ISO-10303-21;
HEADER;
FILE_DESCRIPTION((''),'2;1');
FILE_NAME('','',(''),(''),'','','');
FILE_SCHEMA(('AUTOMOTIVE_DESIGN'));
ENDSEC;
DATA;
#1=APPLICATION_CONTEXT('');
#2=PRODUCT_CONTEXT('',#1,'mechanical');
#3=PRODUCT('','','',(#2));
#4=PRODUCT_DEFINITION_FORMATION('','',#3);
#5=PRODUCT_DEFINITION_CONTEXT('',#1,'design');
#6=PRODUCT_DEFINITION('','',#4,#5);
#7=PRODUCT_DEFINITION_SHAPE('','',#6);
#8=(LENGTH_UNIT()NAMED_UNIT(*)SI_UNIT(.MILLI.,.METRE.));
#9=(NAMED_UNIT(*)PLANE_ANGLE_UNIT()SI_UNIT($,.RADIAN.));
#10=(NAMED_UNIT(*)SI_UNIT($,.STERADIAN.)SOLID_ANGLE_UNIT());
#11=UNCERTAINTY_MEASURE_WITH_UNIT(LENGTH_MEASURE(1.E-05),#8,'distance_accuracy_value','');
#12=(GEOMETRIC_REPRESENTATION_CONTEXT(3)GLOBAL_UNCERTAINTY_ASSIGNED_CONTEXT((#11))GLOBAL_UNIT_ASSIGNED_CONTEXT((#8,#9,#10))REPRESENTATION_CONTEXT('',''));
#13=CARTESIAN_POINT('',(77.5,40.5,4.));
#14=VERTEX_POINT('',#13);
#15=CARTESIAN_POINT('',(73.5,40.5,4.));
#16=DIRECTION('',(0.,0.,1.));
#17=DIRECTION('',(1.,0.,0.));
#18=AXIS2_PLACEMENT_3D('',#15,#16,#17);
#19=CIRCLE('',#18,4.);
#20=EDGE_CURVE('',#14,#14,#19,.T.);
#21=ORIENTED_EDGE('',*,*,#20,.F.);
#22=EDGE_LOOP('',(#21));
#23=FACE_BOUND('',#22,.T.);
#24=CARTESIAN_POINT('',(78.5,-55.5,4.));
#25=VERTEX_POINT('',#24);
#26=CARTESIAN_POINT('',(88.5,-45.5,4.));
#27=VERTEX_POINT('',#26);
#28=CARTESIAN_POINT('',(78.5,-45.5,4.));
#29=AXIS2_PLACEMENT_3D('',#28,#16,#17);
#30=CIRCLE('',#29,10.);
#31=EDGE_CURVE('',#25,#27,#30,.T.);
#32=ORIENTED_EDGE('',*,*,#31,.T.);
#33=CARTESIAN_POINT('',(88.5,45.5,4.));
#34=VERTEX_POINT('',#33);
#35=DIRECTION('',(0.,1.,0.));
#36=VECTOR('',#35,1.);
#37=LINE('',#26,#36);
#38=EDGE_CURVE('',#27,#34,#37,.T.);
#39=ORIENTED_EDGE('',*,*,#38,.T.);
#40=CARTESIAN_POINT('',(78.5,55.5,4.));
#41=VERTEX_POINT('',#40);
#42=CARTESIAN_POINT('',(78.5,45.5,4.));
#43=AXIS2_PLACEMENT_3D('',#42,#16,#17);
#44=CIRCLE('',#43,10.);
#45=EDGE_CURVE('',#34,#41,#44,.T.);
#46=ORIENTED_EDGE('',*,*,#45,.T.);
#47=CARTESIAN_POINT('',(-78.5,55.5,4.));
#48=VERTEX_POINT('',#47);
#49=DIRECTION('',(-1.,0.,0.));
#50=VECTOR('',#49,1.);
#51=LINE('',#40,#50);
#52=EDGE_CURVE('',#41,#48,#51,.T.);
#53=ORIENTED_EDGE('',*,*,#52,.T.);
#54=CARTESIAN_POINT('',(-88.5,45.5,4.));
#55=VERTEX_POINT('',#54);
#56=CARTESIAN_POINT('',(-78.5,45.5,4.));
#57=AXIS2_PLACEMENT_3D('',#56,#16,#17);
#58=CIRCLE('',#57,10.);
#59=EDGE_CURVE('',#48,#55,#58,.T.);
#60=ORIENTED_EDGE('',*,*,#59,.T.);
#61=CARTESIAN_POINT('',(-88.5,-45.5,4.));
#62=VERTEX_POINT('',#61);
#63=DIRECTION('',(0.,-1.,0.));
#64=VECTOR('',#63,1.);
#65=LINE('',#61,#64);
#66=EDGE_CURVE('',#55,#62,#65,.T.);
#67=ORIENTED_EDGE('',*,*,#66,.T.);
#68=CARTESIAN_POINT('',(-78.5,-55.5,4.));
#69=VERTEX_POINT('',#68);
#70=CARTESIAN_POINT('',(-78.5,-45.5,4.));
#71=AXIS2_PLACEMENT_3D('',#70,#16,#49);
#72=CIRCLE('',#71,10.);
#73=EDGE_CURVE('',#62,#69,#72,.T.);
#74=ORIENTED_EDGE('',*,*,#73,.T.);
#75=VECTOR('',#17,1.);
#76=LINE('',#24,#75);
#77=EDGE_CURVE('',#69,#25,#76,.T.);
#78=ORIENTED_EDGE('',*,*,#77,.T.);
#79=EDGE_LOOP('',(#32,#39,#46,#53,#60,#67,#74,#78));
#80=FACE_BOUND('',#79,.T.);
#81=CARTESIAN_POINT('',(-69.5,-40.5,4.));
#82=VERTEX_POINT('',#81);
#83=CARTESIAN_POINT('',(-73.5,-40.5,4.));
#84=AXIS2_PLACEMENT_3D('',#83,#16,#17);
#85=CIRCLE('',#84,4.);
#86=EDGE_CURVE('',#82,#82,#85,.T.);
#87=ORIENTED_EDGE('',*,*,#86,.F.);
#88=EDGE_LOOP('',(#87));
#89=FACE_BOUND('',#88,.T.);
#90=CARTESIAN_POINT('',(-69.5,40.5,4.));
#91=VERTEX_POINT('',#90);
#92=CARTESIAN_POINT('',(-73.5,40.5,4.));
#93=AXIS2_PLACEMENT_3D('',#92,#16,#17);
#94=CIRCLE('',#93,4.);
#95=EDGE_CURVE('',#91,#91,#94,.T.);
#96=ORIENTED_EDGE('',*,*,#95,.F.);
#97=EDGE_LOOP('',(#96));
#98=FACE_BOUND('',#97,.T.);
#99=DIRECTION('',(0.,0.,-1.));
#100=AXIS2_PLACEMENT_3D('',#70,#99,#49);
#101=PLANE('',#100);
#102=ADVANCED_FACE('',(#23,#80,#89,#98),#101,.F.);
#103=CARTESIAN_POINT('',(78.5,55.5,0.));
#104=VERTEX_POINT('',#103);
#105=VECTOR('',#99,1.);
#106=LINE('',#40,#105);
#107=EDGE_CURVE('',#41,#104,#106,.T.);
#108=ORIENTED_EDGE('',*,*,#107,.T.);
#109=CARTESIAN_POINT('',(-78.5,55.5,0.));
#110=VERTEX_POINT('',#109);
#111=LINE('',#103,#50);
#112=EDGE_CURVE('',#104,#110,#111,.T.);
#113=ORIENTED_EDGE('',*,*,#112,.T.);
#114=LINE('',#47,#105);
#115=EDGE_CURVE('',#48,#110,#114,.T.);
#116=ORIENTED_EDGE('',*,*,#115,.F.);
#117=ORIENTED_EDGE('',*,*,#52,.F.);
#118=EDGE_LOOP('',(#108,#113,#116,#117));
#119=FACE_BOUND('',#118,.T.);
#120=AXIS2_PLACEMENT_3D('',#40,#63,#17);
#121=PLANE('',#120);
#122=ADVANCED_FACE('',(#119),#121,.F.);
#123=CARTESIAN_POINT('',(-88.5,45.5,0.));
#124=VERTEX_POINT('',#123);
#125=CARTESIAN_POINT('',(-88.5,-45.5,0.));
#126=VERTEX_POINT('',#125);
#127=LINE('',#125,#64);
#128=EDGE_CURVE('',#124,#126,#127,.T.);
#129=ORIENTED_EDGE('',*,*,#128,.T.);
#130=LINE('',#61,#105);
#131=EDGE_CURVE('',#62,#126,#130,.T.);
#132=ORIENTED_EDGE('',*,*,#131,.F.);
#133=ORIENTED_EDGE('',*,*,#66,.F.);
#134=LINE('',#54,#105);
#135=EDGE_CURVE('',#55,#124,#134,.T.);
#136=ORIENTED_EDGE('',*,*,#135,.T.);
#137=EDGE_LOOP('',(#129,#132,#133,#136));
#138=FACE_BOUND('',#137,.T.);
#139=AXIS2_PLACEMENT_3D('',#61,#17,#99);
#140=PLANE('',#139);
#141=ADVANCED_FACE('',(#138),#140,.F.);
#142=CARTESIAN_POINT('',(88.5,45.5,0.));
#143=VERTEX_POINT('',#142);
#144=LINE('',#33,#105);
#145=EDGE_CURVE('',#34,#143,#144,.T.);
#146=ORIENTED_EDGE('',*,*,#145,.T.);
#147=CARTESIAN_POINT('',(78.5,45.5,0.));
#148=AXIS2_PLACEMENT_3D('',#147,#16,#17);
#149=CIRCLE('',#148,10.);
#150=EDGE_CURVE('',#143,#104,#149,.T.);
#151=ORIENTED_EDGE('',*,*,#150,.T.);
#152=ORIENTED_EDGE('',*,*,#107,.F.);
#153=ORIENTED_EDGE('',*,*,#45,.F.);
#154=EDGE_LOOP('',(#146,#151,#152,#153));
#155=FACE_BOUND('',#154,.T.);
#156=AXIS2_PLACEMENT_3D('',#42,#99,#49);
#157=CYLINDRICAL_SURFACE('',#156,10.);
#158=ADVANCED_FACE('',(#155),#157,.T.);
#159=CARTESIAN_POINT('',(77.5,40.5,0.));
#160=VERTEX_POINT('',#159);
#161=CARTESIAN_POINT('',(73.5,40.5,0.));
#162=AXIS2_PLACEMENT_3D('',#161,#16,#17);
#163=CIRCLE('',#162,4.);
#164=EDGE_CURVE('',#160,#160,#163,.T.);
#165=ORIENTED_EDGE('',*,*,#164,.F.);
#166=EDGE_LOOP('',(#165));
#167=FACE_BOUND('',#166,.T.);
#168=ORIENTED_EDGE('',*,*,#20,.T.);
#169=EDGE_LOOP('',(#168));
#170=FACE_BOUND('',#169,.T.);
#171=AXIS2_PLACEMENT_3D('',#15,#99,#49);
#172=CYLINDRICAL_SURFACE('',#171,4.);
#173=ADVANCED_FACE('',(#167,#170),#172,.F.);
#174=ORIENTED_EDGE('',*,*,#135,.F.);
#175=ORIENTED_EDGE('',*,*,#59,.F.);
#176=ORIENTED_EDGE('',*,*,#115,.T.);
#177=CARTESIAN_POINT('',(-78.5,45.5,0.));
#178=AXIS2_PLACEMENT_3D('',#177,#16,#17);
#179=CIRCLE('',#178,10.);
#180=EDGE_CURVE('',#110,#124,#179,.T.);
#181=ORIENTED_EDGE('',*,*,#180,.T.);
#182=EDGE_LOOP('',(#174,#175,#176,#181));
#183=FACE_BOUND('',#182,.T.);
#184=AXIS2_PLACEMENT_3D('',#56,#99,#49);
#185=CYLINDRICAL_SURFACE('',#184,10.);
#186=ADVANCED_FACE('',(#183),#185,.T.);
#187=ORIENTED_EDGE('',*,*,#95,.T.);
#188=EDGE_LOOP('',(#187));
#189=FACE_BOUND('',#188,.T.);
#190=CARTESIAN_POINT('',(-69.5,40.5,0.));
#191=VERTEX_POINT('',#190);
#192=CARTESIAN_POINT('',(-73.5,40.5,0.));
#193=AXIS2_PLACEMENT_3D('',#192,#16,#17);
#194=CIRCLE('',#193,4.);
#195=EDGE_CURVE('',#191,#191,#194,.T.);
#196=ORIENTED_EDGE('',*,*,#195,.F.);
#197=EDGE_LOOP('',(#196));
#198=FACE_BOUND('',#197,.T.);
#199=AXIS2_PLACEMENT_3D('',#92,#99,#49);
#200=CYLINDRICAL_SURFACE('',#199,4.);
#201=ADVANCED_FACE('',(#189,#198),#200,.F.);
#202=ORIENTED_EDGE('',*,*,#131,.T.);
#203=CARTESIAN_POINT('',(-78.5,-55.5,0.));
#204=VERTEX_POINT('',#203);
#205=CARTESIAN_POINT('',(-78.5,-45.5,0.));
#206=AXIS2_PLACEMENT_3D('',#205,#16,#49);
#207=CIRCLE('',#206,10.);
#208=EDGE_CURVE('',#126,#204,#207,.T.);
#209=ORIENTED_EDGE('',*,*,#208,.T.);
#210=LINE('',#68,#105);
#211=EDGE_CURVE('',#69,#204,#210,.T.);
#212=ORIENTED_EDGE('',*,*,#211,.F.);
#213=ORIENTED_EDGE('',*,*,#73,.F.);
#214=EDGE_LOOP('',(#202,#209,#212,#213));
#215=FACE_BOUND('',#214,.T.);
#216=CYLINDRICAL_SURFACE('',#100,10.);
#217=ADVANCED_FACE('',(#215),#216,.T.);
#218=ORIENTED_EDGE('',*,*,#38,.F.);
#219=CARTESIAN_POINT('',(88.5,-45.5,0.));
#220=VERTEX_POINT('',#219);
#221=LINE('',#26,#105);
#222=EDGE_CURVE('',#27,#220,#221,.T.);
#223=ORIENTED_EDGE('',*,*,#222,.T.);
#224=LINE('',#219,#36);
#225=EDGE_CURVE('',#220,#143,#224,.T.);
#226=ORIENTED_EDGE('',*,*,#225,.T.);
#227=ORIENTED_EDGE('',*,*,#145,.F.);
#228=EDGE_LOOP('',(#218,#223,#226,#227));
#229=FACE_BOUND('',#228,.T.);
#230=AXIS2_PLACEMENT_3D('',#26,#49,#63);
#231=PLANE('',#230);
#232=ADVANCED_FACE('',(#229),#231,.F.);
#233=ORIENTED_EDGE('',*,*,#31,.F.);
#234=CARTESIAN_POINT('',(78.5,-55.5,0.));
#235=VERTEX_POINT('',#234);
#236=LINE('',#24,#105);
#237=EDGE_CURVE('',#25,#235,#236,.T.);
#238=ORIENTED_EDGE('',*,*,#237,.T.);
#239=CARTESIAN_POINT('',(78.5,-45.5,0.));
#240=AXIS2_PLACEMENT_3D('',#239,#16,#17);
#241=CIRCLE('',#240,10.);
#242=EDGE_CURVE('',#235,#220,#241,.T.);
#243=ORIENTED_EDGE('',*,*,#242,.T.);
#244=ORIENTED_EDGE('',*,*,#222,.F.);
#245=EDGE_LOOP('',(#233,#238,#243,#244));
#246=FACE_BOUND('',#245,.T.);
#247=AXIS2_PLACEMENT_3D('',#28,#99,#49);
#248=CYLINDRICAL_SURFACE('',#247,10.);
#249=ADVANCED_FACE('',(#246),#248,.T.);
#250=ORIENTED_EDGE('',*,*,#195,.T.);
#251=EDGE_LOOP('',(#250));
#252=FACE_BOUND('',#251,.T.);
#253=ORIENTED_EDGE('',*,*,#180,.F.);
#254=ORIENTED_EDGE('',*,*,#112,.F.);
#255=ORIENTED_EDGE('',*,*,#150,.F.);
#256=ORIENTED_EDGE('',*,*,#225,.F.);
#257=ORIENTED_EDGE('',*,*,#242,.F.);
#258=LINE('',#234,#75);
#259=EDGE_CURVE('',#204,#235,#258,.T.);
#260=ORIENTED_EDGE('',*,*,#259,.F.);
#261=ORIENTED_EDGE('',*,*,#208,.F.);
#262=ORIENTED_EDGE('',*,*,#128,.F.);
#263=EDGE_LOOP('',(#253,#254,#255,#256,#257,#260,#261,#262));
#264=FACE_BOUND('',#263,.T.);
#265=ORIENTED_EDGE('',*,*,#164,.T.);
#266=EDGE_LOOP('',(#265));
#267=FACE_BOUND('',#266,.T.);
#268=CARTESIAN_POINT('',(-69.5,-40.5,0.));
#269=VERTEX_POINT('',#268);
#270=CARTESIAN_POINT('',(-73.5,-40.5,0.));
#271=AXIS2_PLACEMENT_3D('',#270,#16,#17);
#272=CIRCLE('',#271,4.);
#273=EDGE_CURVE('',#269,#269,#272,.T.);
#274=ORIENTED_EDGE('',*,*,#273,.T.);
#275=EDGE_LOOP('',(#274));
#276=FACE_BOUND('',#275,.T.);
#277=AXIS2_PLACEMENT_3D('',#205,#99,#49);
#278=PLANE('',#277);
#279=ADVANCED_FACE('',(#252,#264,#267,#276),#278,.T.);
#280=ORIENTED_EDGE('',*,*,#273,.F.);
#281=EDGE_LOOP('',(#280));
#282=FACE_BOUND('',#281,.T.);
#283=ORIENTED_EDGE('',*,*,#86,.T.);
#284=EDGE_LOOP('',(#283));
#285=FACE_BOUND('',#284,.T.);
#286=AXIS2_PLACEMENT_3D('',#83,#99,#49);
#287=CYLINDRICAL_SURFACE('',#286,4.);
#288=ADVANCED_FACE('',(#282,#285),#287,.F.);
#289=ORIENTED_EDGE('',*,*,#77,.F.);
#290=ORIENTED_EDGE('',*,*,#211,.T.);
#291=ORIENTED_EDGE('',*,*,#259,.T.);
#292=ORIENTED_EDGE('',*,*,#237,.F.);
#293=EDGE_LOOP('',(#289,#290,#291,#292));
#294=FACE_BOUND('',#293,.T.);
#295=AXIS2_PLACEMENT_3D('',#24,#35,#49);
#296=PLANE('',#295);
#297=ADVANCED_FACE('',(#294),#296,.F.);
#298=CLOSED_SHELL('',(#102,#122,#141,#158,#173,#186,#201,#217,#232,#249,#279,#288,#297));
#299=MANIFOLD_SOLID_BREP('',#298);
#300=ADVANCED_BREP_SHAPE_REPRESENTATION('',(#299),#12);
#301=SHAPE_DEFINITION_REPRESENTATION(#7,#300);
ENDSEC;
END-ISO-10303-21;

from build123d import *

# Parameters (mm, degrees)
ESQUISSE1_R        = 4
BOSS_EXTRU_1_DEPTH = 4


with BuildPart() as part:
    # Esquisse1 → Boss.-Extru.1 (new body)
    with BuildSketch(Plane.XY):
        with BuildLine():
            Line((78.5, -55.5), (-78.5, -55.5))
            ThreePointArc((-78.5, -55.5), (-85.571067812, -52.571067812), (-88.5, -45.5))
            Line((-88.5, -45.5), (-88.5, 45.5))
            ThreePointArc((-88.5, 45.5), (-85.571067812, 52.571067812), (-78.5, 55.5))
            Line((-78.5, 55.5), (78.5, 55.5))
            ThreePointArc((78.5, 55.5), (85.571067812, 52.571067812), (88.5, 45.5))
            Line((88.5, 45.5), (88.5, -45.5))
            ThreePointArc((88.5, -45.5), (85.571067812, -52.571067812), (78.5, -55.5))
        make_face()
        with Locations((-73.5, 40.5)):
            Circle(ESQUISSE1_R, mode=Mode.SUBTRACT)
        with Locations((73.5, 40.5)):
            Circle(ESQUISSE1_R, mode=Mode.SUBTRACT)
        with Locations((-73.5, -40.5)):
            Circle(ESQUISSE1_R, mode=Mode.SUBTRACT)
    extrude(amount=BOSS_EXTRU_1_DEPTH)


solid = part.part
